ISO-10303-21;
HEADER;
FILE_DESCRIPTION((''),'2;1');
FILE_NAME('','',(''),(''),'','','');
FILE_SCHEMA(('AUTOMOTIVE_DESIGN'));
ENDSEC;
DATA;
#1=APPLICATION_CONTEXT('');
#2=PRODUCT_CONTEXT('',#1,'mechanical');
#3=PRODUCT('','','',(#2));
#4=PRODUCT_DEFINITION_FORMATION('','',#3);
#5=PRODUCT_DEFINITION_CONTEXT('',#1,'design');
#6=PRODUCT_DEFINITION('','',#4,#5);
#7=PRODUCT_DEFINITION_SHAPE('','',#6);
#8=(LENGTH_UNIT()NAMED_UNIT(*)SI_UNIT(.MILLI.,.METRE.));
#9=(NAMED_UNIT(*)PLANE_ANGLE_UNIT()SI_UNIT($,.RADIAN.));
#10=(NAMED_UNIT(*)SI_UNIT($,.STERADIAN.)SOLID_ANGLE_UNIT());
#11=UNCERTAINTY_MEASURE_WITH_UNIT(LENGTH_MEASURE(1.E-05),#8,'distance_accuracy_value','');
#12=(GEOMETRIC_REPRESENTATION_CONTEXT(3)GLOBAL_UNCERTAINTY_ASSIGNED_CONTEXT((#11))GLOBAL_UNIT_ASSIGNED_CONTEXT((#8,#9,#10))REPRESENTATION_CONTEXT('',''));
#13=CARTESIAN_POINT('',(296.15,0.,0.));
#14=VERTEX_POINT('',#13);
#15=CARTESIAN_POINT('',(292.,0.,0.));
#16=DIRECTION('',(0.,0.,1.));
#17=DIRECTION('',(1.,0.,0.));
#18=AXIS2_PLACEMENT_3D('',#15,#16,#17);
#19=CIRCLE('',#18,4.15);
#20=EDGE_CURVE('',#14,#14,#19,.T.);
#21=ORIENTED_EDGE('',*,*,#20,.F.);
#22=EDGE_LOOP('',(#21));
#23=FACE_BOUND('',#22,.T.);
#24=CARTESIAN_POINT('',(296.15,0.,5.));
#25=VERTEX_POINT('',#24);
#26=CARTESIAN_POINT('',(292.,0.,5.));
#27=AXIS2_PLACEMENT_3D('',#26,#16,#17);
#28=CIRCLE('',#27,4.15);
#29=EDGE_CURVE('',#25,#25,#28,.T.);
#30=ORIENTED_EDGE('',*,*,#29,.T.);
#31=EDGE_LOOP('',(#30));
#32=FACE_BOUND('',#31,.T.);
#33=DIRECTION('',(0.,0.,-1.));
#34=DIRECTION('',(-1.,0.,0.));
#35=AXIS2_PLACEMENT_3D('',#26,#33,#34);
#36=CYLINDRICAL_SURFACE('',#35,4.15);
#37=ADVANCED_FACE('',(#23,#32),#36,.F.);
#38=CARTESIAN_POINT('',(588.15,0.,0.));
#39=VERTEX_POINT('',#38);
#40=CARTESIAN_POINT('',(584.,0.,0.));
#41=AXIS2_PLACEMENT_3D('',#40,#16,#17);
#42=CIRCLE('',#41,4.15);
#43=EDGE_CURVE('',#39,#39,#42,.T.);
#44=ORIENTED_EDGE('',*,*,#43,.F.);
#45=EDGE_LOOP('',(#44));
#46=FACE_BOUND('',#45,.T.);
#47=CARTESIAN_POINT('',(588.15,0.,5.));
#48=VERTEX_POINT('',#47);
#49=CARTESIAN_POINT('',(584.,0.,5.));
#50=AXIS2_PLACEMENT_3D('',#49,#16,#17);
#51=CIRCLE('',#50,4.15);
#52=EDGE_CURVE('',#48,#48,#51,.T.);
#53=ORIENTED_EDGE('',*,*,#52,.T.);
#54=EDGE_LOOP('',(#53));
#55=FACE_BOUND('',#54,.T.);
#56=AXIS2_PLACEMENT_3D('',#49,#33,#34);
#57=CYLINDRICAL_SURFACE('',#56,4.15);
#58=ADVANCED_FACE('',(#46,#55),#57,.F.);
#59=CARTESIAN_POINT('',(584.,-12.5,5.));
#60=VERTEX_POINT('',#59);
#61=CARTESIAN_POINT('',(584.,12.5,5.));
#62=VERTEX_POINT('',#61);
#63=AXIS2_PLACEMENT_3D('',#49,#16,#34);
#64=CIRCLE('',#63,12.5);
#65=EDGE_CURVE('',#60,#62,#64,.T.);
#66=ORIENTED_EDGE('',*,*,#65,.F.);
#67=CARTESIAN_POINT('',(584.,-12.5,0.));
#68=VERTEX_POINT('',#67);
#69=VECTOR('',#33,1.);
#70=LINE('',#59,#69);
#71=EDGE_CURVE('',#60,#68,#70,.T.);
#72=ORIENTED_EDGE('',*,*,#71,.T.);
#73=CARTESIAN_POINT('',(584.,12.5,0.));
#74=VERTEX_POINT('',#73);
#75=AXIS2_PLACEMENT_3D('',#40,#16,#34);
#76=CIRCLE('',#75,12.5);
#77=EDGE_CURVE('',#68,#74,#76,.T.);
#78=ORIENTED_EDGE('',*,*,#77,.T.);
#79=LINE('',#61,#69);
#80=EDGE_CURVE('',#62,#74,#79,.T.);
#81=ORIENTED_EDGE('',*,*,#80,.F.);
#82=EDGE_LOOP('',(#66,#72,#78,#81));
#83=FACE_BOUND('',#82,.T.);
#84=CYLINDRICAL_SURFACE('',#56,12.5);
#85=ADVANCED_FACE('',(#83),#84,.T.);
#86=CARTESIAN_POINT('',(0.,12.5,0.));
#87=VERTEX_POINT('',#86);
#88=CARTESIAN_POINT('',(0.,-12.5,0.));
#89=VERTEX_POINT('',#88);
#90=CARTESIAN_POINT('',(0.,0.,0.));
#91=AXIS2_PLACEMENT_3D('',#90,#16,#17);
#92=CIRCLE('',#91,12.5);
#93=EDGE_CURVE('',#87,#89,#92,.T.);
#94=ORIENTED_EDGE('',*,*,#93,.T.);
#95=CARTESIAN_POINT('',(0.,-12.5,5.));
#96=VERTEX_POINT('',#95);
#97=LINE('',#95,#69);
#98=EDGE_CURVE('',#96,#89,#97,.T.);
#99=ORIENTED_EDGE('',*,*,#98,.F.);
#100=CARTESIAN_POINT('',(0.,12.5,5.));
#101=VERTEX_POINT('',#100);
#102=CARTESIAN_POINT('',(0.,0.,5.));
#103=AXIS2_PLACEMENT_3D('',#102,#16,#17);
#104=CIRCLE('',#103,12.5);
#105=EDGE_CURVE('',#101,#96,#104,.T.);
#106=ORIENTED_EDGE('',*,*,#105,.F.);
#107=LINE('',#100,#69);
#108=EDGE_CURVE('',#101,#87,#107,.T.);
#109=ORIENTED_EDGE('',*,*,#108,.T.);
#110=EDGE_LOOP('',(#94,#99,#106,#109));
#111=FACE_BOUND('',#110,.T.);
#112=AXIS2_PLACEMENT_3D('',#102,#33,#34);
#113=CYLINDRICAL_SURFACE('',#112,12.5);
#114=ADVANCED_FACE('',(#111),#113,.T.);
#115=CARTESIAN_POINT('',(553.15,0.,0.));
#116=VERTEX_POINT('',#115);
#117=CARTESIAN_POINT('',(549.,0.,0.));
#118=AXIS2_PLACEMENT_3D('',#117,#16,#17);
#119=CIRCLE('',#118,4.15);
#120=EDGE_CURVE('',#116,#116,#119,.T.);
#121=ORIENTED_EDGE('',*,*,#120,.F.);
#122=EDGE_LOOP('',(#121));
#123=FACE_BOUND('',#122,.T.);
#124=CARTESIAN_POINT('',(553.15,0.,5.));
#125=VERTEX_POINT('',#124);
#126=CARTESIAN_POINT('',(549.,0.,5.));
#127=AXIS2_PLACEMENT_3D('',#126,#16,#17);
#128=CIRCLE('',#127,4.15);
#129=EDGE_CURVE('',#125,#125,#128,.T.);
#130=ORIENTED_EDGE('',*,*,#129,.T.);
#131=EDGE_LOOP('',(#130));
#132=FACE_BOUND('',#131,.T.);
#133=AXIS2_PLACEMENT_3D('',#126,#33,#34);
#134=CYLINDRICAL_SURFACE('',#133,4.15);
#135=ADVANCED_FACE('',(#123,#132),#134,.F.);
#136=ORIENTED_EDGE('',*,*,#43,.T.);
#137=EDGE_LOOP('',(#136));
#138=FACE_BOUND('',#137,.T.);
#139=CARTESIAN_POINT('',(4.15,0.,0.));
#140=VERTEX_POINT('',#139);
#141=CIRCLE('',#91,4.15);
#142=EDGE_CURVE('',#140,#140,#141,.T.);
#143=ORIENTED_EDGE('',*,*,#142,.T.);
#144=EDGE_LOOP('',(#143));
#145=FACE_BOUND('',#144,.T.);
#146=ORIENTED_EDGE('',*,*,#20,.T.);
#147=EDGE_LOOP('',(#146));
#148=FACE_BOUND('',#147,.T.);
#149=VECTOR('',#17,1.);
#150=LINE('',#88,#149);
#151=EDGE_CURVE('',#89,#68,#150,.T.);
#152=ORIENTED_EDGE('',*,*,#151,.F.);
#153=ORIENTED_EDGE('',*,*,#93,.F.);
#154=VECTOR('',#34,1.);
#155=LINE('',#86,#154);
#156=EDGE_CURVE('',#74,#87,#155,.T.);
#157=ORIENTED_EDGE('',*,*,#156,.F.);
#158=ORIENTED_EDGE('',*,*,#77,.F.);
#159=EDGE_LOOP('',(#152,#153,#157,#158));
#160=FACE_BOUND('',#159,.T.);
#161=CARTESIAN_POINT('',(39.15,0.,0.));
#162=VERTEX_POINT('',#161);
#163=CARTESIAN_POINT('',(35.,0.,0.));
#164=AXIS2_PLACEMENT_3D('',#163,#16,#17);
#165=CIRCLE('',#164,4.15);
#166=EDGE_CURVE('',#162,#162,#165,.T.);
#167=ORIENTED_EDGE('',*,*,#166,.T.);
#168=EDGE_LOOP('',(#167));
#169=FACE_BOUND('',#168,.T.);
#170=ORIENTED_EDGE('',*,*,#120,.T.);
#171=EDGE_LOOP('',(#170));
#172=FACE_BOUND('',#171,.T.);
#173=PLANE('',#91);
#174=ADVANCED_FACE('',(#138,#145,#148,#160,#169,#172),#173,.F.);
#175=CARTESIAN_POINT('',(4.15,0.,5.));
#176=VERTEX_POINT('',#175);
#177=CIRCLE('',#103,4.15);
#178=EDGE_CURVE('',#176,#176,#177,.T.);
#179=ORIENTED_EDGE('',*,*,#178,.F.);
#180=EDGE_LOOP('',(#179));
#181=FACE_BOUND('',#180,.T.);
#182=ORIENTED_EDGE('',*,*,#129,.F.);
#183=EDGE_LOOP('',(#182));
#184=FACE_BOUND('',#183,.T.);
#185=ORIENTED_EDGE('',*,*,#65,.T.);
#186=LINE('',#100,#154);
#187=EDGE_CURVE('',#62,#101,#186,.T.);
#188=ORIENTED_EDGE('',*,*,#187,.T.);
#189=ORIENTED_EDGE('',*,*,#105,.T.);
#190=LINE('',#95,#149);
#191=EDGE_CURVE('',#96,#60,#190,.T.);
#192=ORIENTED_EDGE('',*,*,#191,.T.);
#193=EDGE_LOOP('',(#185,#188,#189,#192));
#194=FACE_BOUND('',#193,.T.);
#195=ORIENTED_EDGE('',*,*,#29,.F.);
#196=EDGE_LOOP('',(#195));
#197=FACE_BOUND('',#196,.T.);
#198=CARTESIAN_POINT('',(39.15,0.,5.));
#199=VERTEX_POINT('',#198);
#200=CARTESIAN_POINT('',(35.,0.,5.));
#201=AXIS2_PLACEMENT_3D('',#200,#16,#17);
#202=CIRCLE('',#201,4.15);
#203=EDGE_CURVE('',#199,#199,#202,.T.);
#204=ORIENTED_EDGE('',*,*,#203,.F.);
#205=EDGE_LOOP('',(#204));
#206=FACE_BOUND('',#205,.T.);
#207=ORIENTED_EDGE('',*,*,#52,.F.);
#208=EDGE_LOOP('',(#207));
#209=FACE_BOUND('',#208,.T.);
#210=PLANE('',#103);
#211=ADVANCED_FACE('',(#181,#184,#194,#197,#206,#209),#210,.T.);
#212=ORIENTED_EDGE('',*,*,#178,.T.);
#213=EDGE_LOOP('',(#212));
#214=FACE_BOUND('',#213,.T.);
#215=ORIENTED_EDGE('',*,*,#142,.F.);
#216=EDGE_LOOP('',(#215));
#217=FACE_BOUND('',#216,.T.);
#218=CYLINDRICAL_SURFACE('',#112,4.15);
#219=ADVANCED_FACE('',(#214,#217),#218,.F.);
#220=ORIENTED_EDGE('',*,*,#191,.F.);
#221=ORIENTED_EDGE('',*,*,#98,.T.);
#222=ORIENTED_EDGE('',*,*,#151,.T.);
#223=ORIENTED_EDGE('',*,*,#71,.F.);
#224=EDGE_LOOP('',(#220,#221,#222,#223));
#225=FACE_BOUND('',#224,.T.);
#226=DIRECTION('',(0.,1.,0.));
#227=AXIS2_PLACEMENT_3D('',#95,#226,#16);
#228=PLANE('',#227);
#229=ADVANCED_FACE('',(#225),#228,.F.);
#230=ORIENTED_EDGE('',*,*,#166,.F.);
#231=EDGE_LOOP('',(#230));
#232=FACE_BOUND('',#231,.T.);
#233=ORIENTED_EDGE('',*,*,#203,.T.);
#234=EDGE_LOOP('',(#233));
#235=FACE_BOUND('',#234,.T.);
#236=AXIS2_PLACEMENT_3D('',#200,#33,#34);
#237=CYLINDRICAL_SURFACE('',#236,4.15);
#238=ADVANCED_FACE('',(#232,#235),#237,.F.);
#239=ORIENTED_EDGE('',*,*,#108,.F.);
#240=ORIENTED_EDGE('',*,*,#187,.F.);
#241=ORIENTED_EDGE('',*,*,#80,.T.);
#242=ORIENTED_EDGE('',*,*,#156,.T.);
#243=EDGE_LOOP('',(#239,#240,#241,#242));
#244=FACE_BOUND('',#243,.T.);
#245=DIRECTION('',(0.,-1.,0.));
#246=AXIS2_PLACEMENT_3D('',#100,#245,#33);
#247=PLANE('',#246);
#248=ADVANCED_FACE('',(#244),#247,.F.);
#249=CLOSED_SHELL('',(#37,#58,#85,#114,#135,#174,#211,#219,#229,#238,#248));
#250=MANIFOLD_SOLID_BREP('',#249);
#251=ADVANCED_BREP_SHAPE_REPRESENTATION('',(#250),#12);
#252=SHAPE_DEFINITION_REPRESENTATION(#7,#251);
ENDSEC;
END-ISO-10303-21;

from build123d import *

# Parameters (mm, degrees)
SKICA1_R                = 4.15
P_IDAT_VYSUNUT_M1_DEPTH = 5


with BuildPart() as part:
    # Skica1 → Přidat vysunutím1 (new body)
    with BuildSketch(Plane.XY):
        with BuildLine():
            Line((0, 12.5), (584, 12.5))
            ThreePointArc((584, 12.5), (596.5, 0), (584, -12.5))
            Line((584, -12.5), (0, -12.5))
            ThreePointArc((0, -12.5), (-12.5, 0), (0, 12.5))
        make_face()
        Circle(SKICA1_R, mode=Mode.SUBTRACT)
        with Locations((584, 0)):
            Circle(SKICA1_R, mode=Mode.SUBTRACT)
        with Locations((35, 0)):
            Circle(SKICA1_R, mode=Mode.SUBTRACT)
        with Locations((292, 0)):
            Circle(SKICA1_R, mode=Mode.SUBTRACT)
        with Locations((549, 0)):
            Circle(SKICA1_R, mode=Mode.SUBTRACT)
    extrude(amount=P_IDAT_VYSUNUT_M1_DEPTH)


solid = part.part
